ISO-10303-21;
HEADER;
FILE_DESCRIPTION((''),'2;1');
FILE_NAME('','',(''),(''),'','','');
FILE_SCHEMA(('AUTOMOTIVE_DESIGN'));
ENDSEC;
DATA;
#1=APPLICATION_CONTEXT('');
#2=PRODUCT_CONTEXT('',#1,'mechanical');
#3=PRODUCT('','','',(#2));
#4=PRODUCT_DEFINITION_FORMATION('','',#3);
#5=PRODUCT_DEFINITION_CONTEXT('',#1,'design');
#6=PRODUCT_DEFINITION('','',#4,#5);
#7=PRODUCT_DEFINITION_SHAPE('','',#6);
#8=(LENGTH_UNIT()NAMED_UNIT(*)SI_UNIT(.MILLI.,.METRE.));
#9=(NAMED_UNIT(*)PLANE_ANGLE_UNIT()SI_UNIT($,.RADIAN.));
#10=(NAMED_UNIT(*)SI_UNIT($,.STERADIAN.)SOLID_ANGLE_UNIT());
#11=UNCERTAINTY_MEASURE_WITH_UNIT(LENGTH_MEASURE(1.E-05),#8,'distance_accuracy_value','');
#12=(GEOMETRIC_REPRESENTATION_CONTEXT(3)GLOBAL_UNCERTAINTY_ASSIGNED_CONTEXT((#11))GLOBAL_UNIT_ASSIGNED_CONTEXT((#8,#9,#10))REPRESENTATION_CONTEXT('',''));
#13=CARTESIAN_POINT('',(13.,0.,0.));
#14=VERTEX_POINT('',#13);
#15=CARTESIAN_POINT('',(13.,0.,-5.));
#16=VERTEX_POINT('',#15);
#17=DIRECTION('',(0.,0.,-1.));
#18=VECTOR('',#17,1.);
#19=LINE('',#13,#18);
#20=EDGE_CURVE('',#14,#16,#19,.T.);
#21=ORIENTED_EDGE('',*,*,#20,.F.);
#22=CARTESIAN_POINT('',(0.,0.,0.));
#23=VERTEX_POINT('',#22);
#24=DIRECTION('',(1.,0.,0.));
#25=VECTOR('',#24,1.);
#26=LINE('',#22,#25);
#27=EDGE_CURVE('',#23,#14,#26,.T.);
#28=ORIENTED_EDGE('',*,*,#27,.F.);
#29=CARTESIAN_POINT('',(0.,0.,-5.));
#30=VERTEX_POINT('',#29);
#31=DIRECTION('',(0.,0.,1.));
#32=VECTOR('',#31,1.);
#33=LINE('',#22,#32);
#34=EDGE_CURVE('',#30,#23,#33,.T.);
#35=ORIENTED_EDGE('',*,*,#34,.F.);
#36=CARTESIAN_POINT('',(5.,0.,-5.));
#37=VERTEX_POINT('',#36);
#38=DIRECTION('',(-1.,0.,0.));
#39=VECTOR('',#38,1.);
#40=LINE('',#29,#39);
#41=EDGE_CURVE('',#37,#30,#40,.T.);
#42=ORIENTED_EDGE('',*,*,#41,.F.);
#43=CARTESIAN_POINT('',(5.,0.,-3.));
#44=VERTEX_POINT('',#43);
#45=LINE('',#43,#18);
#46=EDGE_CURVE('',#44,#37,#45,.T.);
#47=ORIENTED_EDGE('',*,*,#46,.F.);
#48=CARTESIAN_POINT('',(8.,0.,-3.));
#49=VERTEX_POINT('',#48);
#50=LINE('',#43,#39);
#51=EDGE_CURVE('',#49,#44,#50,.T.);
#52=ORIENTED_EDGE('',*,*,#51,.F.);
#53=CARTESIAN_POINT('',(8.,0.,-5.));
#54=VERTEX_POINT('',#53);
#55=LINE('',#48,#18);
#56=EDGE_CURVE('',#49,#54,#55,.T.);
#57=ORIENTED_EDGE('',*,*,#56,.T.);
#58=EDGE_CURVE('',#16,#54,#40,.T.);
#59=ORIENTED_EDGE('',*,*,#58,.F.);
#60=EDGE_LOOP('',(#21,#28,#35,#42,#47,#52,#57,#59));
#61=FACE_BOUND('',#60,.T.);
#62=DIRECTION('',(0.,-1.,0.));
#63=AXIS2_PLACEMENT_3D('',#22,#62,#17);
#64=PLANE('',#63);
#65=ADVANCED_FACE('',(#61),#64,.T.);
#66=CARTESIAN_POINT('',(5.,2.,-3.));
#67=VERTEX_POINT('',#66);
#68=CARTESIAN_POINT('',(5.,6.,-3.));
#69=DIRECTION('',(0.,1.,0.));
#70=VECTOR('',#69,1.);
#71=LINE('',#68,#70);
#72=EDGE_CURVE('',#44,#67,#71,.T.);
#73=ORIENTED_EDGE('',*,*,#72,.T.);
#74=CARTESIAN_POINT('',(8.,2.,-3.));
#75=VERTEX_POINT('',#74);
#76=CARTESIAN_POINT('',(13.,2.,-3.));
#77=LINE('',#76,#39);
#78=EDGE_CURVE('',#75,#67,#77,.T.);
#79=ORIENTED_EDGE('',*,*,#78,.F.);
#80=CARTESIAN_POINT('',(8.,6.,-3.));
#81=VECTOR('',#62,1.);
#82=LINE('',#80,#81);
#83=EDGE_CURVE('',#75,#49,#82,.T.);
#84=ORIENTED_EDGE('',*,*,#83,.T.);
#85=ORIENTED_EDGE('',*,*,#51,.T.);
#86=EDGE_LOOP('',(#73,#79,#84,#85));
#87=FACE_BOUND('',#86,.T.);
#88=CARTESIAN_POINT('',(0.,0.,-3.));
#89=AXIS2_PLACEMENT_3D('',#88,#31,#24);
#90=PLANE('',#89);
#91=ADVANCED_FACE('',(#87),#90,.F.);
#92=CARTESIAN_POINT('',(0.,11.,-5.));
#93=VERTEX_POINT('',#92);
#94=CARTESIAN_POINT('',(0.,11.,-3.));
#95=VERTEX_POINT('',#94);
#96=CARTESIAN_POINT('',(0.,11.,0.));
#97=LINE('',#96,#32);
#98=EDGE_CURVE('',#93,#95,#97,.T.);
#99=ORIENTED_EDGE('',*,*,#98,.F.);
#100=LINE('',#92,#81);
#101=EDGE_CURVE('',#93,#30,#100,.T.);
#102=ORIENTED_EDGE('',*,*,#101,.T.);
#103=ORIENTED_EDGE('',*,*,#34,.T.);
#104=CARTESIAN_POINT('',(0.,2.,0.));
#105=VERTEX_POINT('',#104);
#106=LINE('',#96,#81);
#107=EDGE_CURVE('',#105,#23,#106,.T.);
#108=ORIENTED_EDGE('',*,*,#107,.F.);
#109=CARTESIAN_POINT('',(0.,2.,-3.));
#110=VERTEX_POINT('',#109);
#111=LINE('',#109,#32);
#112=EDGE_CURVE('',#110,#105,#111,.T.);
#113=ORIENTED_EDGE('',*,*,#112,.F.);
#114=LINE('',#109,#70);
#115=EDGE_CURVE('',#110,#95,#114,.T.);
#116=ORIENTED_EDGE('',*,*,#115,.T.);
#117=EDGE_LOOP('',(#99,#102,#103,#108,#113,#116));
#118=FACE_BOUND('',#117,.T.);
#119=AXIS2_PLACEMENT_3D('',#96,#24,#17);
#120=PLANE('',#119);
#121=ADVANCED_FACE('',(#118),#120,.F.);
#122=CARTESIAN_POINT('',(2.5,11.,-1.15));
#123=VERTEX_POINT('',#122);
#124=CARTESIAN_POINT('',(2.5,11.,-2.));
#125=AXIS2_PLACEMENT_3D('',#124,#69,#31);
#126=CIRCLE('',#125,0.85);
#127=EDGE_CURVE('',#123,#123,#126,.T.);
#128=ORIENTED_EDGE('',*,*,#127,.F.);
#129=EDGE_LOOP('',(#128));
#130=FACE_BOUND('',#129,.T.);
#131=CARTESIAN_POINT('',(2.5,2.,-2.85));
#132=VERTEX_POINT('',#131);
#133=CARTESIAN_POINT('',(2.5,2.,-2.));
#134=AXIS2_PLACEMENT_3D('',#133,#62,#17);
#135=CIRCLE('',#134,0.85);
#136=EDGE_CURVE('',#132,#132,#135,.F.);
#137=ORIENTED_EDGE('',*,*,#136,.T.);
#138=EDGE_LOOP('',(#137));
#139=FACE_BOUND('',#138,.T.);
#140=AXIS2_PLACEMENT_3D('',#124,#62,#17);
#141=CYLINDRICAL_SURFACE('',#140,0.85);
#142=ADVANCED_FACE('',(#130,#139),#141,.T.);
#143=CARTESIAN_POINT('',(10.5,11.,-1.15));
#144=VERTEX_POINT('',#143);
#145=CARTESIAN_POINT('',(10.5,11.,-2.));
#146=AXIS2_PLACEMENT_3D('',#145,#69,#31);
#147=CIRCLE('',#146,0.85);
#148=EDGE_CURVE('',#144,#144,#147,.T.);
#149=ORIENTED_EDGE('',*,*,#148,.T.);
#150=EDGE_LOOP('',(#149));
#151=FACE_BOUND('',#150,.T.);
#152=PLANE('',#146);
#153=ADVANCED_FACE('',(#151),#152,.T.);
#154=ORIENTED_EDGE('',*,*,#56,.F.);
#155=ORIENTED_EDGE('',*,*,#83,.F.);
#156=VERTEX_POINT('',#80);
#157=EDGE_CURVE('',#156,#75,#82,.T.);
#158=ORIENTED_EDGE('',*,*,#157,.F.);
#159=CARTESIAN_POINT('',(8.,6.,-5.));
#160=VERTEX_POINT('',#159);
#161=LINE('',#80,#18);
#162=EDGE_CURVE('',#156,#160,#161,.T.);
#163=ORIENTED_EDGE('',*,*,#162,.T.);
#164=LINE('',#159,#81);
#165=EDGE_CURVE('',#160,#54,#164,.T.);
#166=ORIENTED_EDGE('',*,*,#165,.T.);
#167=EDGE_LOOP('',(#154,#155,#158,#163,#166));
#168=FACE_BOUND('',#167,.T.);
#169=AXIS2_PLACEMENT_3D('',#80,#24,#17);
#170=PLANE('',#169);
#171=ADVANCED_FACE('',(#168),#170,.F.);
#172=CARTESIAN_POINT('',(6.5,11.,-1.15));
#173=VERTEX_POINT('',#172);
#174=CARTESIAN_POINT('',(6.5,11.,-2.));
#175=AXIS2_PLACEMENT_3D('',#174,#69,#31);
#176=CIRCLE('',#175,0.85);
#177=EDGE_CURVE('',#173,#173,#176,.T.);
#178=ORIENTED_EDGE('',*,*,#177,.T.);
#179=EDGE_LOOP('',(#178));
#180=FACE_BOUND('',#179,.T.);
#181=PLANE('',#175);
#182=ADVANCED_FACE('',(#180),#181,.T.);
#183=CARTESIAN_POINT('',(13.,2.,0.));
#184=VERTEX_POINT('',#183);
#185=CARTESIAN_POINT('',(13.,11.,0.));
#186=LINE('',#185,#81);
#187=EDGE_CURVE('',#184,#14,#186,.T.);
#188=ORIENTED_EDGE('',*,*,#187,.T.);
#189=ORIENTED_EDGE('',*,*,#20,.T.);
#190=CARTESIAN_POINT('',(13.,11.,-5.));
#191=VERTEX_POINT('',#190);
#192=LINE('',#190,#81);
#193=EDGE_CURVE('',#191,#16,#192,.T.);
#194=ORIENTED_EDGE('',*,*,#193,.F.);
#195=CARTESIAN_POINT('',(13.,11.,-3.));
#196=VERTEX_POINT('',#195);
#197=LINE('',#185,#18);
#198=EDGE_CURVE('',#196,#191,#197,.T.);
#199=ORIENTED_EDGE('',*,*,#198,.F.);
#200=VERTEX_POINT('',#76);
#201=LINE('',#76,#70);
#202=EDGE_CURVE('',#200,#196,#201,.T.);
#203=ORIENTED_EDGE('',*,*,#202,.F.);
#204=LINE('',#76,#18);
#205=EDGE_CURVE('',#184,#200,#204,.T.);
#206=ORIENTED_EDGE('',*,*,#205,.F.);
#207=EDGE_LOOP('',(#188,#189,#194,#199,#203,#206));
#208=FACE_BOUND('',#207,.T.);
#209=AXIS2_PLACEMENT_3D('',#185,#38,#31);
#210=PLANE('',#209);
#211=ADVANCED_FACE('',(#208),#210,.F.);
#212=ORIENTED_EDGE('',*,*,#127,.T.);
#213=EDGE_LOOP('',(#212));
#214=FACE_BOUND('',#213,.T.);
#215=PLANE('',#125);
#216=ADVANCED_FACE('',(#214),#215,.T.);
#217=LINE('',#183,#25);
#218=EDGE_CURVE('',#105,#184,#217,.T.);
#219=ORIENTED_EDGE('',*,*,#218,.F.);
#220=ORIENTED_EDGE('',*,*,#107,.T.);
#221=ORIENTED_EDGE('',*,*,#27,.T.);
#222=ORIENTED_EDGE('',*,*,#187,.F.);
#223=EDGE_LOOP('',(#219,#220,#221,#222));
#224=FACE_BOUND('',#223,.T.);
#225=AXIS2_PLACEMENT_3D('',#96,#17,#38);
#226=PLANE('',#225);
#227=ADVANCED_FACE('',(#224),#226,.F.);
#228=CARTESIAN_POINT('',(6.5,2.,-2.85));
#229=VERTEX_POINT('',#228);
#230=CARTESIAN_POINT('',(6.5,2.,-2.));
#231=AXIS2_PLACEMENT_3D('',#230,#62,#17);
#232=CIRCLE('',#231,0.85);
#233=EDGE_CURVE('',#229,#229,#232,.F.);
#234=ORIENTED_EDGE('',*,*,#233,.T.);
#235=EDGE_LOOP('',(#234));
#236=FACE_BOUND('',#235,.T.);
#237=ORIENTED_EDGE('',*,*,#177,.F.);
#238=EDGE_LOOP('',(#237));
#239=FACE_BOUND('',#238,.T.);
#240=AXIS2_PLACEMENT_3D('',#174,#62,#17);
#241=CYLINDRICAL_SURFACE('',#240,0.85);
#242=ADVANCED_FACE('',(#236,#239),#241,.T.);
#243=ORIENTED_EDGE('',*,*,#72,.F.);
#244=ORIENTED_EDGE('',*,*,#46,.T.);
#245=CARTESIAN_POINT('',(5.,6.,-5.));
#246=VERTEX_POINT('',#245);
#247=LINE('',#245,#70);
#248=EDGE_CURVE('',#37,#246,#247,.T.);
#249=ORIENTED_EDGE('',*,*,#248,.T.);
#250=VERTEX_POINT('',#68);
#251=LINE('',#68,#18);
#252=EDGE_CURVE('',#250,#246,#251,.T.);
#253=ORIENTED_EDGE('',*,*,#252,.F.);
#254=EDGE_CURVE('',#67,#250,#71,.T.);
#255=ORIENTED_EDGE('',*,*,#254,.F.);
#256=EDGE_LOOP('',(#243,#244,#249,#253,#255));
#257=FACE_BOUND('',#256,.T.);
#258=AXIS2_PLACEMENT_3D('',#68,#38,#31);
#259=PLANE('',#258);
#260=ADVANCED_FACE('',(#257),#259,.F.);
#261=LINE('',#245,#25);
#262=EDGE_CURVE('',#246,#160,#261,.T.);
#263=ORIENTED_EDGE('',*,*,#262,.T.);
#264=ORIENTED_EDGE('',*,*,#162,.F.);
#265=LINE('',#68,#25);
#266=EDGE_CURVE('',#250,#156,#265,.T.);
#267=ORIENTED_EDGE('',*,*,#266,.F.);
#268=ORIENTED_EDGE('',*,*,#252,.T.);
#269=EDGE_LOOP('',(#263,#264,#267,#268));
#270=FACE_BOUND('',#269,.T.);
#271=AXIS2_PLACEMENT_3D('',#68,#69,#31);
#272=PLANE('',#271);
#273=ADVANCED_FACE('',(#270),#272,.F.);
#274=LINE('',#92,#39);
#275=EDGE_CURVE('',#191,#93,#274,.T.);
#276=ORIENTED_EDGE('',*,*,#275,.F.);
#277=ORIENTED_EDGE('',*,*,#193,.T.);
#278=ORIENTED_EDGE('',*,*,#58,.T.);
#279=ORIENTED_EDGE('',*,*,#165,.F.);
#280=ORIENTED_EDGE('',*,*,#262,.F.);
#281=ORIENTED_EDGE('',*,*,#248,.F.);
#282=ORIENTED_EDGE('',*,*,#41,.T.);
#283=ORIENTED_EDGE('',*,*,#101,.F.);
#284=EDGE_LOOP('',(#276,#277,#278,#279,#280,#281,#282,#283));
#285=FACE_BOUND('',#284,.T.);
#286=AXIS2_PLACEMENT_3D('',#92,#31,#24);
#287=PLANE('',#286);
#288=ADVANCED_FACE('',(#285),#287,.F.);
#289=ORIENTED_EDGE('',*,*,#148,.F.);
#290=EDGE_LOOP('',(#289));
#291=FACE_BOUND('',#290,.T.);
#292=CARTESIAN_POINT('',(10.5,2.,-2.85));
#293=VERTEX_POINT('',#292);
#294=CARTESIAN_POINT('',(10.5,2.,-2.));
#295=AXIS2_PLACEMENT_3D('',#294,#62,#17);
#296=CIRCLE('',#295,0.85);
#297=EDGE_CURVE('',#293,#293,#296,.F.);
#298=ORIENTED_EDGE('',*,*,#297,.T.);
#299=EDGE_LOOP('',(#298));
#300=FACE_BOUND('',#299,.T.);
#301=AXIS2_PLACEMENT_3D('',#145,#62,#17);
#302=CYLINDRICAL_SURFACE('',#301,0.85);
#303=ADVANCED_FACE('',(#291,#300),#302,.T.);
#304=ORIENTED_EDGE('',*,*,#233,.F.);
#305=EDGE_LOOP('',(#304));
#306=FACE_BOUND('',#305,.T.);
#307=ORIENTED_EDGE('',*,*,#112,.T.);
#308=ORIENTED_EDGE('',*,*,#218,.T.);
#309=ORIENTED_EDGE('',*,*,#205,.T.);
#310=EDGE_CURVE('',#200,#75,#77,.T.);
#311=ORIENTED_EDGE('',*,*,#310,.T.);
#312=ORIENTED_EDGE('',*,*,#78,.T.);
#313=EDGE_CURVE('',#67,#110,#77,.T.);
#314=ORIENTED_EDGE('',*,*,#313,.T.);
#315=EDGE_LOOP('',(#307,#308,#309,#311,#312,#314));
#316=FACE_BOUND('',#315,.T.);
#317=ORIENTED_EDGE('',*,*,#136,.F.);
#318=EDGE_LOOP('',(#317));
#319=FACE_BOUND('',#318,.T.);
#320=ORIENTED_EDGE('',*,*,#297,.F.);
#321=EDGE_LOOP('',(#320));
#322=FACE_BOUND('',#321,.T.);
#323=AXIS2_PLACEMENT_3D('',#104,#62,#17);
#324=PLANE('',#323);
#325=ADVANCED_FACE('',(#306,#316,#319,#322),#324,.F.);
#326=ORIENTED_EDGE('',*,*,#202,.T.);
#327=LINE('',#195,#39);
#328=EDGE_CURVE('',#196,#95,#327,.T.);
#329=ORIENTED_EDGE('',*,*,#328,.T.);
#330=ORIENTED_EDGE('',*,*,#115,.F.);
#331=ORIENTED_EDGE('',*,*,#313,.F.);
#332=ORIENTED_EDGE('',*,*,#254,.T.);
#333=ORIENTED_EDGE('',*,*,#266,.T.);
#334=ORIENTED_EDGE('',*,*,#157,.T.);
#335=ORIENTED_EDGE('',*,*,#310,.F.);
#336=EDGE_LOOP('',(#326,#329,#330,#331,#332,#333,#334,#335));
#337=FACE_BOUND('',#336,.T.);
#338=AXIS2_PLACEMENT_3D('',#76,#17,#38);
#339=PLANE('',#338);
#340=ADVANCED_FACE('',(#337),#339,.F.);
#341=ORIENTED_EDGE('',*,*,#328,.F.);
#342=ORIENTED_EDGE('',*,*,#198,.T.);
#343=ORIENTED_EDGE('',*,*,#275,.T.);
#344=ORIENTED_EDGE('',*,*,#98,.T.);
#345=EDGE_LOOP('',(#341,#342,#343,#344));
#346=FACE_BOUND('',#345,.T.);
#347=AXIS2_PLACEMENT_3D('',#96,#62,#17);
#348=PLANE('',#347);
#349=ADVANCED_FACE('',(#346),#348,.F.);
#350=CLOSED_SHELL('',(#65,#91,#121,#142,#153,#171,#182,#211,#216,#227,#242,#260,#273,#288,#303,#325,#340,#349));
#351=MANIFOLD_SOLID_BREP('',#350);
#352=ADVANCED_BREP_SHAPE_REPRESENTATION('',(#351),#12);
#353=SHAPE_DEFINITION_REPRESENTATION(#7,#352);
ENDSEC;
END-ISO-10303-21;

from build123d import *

# Parameters (mm, degrees)
SKETCH1_W           = 13
SKETCH1_H           = 5
BOSS_EXTRUDE1_DEPTH = 11
SKETCH2_W           = 13
SKETCH2_H           = 3
CUT_EXTRUDE1_DEPTH  = 9
SKETCH3_W           = 3
SKETCH3_H           = 6
CUT_EXTRUDE2_DEPTH  = 2
SKETCH4_R           = 0.85
BOSS_EXTRUDE3_DEPTH = 9


with BuildPart() as part:
    # Sketch1 → Boss-Extrude1 (new body)
    with BuildSketch(Plane(origin=(0, 0, 0), x_dir=(1, 0, 0), z_dir=(0, 1, 0))):
        with Locations((6.5, 2.5)):
            Rectangle(SKETCH1_W, SKETCH1_H)
    extrude(amount=BOSS_EXTRUDE1_DEPTH)

    # Sketch2 → Cut-Extrude1 (cut)
    with BuildSketch(Plane(origin=(0, 11, 0), x_dir=(1, 0, 0), z_dir=(0, 1, 0))):
        with Locations((6.5, 1.5)):
            Rectangle(SKETCH2_W, SKETCH2_H)
    extrude(amount=-CUT_EXTRUDE1_DEPTH, mode=Mode.SUBTRACT)

    # Sketch3 → Cut-Extrude2 (cut)
    with BuildSketch(Plane(origin=(0, 0, -5), x_dir=(-1, 0, 0), z_dir=(0, 0, -1))):
        with Locations((-6.5, 3)):
            Rectangle(SKETCH3_W, SKETCH3_H)
    extrude(amount=-CUT_EXTRUDE2_DEPTH, mode=Mode.SUBTRACT)

    # Sketch4 → Boss-Extrude3 (add)
    with BuildSketch(Plane(origin=(0, 2, 0), x_dir=(1, 0, 0), z_dir=(0, 1, 0))):
        with Locations(Location((10.5, 2, 0), (0, 0, 90))):
            Circle(SKETCH4_R)
        with Locations(Location((6.5, 2, 0), (0, 0, 90))):
            Circle(SKETCH4_R)
        with Locations(Location((2.5, 2, 0), (0, 0, 90))):
            Circle(SKETCH4_R)
    extrude(amount=BOSS_EXTRUDE3_DEPTH)


solid = part.part
